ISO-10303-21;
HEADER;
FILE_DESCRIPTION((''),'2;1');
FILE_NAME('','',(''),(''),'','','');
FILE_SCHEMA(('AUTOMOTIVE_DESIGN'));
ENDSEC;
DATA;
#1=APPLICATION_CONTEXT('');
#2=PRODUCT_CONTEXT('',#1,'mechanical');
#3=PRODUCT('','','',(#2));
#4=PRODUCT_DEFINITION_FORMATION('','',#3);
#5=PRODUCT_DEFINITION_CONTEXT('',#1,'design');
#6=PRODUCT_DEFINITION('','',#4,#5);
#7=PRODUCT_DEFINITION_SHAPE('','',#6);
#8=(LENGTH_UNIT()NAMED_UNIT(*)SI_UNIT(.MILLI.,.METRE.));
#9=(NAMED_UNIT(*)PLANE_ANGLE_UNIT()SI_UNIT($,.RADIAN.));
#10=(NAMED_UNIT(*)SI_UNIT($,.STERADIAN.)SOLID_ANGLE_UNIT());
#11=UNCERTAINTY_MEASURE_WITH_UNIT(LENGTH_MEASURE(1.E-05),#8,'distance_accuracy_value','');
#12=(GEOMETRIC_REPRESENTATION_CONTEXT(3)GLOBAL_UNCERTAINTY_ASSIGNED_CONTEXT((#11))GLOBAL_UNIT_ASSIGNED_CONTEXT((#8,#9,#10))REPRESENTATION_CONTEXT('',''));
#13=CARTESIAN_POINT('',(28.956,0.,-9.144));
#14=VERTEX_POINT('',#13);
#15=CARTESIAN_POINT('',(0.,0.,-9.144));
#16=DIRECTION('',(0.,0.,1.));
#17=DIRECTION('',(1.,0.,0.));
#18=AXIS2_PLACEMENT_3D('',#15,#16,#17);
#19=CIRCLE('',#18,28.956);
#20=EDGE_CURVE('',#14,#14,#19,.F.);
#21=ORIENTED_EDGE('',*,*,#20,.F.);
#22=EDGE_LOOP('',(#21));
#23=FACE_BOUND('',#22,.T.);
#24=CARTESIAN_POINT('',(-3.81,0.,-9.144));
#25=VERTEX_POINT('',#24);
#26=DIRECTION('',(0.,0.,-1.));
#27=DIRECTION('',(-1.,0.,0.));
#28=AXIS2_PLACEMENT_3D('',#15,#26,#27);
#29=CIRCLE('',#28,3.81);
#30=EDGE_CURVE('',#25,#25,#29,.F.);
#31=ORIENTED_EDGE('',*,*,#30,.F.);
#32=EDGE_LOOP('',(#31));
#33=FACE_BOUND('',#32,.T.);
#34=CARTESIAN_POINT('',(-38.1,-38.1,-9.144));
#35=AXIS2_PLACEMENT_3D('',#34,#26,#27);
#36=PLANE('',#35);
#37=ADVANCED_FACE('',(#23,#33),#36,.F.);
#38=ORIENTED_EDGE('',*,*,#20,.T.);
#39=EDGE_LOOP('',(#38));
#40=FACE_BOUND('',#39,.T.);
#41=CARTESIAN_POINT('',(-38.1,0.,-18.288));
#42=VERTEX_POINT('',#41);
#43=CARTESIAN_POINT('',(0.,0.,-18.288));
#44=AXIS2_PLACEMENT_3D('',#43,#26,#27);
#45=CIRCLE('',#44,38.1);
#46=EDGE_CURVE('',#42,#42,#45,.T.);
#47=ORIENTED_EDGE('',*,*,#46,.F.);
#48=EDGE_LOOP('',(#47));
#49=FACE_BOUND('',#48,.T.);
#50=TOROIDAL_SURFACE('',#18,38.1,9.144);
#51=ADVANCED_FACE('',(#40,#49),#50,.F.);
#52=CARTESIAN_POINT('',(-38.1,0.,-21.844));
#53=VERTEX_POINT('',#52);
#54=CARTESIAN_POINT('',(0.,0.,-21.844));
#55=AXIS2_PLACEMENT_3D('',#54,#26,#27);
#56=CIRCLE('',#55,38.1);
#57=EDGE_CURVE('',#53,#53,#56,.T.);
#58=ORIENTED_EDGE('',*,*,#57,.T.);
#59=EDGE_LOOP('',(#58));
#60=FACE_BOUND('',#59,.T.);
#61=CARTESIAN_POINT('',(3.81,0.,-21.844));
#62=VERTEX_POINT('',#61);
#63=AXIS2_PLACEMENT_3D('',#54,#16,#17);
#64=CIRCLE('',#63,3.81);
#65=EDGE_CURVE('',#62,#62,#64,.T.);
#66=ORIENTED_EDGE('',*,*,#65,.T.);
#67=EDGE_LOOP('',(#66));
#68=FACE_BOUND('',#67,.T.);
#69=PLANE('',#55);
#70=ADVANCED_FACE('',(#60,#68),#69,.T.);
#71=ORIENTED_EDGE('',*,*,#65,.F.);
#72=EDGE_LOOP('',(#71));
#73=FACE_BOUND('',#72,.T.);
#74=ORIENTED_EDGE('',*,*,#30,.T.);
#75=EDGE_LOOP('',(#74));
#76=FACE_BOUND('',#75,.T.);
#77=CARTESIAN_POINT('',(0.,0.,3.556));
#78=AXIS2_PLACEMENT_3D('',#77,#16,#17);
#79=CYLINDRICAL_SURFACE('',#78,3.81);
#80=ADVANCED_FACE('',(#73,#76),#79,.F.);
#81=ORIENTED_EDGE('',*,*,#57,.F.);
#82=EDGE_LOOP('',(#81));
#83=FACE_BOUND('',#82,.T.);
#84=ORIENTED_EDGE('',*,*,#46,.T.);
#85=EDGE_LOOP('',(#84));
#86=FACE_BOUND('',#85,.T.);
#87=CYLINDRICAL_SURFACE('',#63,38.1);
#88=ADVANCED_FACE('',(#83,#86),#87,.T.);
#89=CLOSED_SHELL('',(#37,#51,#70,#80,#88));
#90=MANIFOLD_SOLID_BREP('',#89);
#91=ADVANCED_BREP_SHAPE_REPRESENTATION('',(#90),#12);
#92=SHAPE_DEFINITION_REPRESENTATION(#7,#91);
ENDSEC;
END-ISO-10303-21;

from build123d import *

# Parameters (mm, degrees)
SKETCH9_R                  = 38.1
BOSS_EXTRUDE2_DEPTH        = 3.556
BOSS_EXTRUDE3_START        = 3.556
SKETCH10_R                 = 38.1
BOSS_EXTRUDE3_DEPTH        = 3.556
F_3_4_0_3_DIAMETER_HOLE1_D = 7.62
CUT_EXTRUDE1_DEPTH         = 59.141038312
CUT_EXTRUDE1_DEPTH_BACK    = 59.141038312
SKETCH16_W                 = 76.2
SKETCH16_H                 = 12.7


with BuildPart() as part:
    # Sketch5 → Revolve1 (revolve)
    with BuildSketch(Plane(origin=(0, 0, 0), x_dir=(1, 0, 0), z_dir=(0, 1, 0)), mode=Mode.PRIVATE) as revolve1_sk:
        with BuildLine():
            Line((0, 0), (-38.1, 0))
            ThreePointArc((-38.1, 0), (-28.956, 9.144), (-38.1, 18.288))
            Line((-38.1, 18.288), (0, 18.288))
            Line((0, 18.288), (0, 0))
        make_face()
    revolve(revolve1_sk.sketch.rotate(Axis((0, 0, 0), (0, 0, -1)), 180), axis=Axis((0, 0, 0), (0, 0, -1)))

    # Sketch9 → Boss-Extrude2 (add)
    with BuildSketch(Plane.XY):
        Circle(SKETCH9_R)
    extrude(amount=BOSS_EXTRUDE2_DEPTH)

    # Sketch10 → Boss-Extrude3 (add)
    with BuildSketch(Plane(origin=(0, 0, -18.288), x_dir=(-1, 0, 0), z_dir=(0, 0, -1)).offset(BOSS_EXTRUDE3_START)):
        with Locations(Location((0, 0, 0), (0, 0, 180))):
            Circle(SKETCH10_R)
    extrude(amount=-BOSS_EXTRUDE3_DEPTH)

    # 3/4 (0.3) Diameter Hole1 (through all)
    with Locations(Plane.XY.offset(3.556)):
        with Locations((0, 0)):
            Hole(F_3_4_0_3_DIAMETER_HOLE1_D / 2)

    # Sketch16 → Cut-Extrude1 (cut, two sides: drawn at the far end of the back side and taken through both)
    with BuildSketch(Plane(origin=(0, 0, 0), x_dir=(1, 0, 0), z_dir=(0, 1, 0)).offset(-CUT_EXTRUDE1_DEPTH_BACK)):
        with Locations((0, 2.794)):
            Rectangle(SKETCH16_W, SKETCH16_H)
    extrude(amount=CUT_EXTRUDE1_DEPTH + CUT_EXTRUDE1_DEPTH_BACK, mode=Mode.SUBTRACT)


solid = part.part
